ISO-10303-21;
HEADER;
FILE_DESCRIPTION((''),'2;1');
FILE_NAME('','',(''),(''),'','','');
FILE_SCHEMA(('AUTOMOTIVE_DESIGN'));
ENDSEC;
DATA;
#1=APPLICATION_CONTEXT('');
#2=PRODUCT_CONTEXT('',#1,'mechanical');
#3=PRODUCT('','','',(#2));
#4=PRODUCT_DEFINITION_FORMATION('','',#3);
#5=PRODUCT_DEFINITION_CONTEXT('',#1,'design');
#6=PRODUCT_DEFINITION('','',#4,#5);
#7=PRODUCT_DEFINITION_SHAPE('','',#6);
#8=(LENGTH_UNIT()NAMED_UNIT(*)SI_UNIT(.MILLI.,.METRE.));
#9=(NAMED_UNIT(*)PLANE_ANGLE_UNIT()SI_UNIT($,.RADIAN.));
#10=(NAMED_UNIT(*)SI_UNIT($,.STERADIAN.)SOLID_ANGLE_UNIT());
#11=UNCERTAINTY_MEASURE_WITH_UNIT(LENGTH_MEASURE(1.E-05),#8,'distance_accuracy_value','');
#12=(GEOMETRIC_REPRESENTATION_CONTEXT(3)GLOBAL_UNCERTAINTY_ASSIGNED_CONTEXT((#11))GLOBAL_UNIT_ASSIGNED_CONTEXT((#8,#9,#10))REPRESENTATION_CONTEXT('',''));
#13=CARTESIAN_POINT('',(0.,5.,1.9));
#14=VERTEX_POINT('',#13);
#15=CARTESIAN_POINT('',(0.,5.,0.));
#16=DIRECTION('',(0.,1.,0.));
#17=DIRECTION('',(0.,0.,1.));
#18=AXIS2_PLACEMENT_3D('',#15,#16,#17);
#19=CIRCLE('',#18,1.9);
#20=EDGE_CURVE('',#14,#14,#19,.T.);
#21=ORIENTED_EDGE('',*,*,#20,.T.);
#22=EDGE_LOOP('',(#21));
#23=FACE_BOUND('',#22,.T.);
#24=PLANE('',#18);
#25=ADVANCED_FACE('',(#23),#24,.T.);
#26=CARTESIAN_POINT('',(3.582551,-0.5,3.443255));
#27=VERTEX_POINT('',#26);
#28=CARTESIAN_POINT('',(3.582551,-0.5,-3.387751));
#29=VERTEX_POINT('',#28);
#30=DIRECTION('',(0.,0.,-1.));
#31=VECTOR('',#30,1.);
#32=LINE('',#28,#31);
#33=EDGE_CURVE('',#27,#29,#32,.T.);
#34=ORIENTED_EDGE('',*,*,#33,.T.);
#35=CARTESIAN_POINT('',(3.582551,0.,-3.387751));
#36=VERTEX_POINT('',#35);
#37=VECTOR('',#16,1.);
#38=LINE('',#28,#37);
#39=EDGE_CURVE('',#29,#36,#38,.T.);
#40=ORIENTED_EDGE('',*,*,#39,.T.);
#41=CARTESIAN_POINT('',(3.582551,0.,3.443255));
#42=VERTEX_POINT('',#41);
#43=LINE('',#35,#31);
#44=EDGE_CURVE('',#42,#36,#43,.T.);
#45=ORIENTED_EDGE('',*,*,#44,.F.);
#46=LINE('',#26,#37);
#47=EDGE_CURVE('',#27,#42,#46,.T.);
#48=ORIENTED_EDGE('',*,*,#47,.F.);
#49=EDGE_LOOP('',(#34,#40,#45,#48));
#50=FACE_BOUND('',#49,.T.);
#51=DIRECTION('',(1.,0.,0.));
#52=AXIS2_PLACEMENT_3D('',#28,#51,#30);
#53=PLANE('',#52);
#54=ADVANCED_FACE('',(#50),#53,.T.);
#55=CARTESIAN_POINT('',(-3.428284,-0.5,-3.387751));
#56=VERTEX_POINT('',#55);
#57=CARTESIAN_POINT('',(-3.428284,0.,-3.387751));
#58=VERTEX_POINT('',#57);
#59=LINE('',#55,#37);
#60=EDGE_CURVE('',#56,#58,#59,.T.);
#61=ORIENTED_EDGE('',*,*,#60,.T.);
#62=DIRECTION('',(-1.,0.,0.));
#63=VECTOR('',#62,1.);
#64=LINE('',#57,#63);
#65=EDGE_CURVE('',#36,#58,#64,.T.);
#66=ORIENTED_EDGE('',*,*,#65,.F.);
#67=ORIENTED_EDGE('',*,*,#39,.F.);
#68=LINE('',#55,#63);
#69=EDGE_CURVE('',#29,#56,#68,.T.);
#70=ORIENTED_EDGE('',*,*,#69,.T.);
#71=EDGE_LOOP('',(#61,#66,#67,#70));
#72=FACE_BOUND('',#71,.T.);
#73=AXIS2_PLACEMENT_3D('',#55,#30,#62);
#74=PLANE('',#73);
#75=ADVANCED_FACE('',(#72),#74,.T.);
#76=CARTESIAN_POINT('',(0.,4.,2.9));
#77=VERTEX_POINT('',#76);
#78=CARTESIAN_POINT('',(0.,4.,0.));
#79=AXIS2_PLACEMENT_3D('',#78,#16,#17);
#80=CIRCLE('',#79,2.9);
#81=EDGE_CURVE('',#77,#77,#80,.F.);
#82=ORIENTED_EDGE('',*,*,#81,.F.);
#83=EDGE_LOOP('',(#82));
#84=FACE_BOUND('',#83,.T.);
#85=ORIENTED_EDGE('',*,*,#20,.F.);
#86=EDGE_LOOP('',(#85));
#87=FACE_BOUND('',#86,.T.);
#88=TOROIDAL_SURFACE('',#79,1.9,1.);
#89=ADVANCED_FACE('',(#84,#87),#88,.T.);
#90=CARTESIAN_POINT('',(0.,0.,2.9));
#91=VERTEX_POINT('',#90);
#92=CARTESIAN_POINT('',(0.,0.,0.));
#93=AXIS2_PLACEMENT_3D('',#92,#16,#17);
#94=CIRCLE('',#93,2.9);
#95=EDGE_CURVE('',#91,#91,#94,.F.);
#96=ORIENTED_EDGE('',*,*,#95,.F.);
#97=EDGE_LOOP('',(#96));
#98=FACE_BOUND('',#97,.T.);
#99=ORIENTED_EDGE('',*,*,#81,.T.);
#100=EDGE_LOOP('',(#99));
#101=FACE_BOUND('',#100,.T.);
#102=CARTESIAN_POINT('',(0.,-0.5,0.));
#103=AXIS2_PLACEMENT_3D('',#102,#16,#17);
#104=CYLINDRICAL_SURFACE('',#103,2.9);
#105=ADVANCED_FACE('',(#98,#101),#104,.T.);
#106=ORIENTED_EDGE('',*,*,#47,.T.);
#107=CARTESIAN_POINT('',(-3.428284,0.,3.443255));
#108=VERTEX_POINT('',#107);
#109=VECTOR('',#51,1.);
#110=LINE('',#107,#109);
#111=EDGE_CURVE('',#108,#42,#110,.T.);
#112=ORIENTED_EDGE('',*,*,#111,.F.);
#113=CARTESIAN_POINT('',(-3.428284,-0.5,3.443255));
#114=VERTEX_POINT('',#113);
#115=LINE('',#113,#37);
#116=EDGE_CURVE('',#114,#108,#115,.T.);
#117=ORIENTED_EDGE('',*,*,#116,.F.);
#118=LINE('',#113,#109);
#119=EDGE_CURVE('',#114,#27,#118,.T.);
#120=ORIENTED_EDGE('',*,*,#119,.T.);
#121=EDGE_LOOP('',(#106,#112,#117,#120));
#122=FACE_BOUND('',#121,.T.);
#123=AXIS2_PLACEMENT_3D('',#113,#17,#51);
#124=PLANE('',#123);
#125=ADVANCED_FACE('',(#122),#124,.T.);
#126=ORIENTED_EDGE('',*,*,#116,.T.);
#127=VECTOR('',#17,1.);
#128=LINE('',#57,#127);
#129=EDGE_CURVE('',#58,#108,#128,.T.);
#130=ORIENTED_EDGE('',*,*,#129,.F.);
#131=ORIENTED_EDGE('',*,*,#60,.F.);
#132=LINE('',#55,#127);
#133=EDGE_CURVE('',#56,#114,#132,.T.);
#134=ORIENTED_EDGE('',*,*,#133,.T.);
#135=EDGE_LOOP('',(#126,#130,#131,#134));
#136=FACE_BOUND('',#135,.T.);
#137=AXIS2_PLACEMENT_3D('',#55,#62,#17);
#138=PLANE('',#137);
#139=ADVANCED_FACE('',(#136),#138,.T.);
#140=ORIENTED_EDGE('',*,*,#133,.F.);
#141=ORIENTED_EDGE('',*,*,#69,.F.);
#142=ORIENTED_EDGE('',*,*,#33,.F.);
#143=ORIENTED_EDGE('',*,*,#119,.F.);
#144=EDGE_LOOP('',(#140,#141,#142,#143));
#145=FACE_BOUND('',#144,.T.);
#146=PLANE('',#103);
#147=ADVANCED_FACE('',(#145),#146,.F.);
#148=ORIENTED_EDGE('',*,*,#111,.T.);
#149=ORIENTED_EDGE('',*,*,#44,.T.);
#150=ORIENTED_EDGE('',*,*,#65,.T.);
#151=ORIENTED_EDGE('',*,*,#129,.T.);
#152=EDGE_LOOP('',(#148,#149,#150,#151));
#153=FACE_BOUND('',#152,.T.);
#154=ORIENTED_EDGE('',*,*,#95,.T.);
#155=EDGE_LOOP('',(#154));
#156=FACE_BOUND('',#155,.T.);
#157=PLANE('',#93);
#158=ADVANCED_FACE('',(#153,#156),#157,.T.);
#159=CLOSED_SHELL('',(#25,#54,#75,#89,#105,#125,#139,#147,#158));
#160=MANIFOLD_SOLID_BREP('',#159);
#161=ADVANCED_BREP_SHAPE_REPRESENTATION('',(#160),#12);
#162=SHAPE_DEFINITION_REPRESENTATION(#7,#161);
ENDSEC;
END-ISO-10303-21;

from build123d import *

# Parameters (mm, degrees)
SKETCH2_R           = 2.9
BOSS_EXTRUDE1_DEPTH = 0.5
BOSS_EXTRUDE2_START = 5
SKETCH3_R           = 2.9
BOSS_EXTRUDE2_DEPTH = 5
SKETCH4_W           = 7.010834482
SKETCH4_H           = 6.831005896
BOSS_EXTRUDE3_DEPTH = 0.5
FILLET1_R           = 1


with BuildPart() as part:
    # Sketch2 → Boss-Extrude1 (new body)
    with BuildSketch(Plane(origin=(0, 0, 0), x_dir=(1, 0, 0), z_dir=(0, 1, 0))):
        with Locations(Location((0, 0, 0), (0, 0, 270))):
            Circle(SKETCH2_R)
    extrude(amount=-BOSS_EXTRUDE1_DEPTH)

    # Sketch3 → Boss-Extrude2 (add)
    with BuildSketch(Plane(origin=(0, 0, 0), x_dir=(1, 0, 0), z_dir=(0, 1, 0)).offset(BOSS_EXTRUDE2_START)):
        with Locations(Location((0, 0, 0), (0, 0, 270))):
            Circle(SKETCH3_R)
    extrude(amount=-BOSS_EXTRUDE2_DEPTH)

    # Sketch4 → Boss-Extrude3 (add)
    with BuildSketch(Plane(origin=(0, 0, 0), x_dir=(1, 0, 0), z_dir=(0, 1, 0))):
        with Locations((0.077133625, -0.02775209)):
            Rectangle(SKETCH4_W, SKETCH4_H)
    extrude(amount=-BOSS_EXTRUDE3_DEPTH)

    # Fillet1
    fillet1_edges = [part.edges().sort_by_distance(p)[0] for p in [
        (0, 5, -2.9),
    ]]
    fillet(fillet1_edges, radius=FILLET1_R)


solid = part.part
